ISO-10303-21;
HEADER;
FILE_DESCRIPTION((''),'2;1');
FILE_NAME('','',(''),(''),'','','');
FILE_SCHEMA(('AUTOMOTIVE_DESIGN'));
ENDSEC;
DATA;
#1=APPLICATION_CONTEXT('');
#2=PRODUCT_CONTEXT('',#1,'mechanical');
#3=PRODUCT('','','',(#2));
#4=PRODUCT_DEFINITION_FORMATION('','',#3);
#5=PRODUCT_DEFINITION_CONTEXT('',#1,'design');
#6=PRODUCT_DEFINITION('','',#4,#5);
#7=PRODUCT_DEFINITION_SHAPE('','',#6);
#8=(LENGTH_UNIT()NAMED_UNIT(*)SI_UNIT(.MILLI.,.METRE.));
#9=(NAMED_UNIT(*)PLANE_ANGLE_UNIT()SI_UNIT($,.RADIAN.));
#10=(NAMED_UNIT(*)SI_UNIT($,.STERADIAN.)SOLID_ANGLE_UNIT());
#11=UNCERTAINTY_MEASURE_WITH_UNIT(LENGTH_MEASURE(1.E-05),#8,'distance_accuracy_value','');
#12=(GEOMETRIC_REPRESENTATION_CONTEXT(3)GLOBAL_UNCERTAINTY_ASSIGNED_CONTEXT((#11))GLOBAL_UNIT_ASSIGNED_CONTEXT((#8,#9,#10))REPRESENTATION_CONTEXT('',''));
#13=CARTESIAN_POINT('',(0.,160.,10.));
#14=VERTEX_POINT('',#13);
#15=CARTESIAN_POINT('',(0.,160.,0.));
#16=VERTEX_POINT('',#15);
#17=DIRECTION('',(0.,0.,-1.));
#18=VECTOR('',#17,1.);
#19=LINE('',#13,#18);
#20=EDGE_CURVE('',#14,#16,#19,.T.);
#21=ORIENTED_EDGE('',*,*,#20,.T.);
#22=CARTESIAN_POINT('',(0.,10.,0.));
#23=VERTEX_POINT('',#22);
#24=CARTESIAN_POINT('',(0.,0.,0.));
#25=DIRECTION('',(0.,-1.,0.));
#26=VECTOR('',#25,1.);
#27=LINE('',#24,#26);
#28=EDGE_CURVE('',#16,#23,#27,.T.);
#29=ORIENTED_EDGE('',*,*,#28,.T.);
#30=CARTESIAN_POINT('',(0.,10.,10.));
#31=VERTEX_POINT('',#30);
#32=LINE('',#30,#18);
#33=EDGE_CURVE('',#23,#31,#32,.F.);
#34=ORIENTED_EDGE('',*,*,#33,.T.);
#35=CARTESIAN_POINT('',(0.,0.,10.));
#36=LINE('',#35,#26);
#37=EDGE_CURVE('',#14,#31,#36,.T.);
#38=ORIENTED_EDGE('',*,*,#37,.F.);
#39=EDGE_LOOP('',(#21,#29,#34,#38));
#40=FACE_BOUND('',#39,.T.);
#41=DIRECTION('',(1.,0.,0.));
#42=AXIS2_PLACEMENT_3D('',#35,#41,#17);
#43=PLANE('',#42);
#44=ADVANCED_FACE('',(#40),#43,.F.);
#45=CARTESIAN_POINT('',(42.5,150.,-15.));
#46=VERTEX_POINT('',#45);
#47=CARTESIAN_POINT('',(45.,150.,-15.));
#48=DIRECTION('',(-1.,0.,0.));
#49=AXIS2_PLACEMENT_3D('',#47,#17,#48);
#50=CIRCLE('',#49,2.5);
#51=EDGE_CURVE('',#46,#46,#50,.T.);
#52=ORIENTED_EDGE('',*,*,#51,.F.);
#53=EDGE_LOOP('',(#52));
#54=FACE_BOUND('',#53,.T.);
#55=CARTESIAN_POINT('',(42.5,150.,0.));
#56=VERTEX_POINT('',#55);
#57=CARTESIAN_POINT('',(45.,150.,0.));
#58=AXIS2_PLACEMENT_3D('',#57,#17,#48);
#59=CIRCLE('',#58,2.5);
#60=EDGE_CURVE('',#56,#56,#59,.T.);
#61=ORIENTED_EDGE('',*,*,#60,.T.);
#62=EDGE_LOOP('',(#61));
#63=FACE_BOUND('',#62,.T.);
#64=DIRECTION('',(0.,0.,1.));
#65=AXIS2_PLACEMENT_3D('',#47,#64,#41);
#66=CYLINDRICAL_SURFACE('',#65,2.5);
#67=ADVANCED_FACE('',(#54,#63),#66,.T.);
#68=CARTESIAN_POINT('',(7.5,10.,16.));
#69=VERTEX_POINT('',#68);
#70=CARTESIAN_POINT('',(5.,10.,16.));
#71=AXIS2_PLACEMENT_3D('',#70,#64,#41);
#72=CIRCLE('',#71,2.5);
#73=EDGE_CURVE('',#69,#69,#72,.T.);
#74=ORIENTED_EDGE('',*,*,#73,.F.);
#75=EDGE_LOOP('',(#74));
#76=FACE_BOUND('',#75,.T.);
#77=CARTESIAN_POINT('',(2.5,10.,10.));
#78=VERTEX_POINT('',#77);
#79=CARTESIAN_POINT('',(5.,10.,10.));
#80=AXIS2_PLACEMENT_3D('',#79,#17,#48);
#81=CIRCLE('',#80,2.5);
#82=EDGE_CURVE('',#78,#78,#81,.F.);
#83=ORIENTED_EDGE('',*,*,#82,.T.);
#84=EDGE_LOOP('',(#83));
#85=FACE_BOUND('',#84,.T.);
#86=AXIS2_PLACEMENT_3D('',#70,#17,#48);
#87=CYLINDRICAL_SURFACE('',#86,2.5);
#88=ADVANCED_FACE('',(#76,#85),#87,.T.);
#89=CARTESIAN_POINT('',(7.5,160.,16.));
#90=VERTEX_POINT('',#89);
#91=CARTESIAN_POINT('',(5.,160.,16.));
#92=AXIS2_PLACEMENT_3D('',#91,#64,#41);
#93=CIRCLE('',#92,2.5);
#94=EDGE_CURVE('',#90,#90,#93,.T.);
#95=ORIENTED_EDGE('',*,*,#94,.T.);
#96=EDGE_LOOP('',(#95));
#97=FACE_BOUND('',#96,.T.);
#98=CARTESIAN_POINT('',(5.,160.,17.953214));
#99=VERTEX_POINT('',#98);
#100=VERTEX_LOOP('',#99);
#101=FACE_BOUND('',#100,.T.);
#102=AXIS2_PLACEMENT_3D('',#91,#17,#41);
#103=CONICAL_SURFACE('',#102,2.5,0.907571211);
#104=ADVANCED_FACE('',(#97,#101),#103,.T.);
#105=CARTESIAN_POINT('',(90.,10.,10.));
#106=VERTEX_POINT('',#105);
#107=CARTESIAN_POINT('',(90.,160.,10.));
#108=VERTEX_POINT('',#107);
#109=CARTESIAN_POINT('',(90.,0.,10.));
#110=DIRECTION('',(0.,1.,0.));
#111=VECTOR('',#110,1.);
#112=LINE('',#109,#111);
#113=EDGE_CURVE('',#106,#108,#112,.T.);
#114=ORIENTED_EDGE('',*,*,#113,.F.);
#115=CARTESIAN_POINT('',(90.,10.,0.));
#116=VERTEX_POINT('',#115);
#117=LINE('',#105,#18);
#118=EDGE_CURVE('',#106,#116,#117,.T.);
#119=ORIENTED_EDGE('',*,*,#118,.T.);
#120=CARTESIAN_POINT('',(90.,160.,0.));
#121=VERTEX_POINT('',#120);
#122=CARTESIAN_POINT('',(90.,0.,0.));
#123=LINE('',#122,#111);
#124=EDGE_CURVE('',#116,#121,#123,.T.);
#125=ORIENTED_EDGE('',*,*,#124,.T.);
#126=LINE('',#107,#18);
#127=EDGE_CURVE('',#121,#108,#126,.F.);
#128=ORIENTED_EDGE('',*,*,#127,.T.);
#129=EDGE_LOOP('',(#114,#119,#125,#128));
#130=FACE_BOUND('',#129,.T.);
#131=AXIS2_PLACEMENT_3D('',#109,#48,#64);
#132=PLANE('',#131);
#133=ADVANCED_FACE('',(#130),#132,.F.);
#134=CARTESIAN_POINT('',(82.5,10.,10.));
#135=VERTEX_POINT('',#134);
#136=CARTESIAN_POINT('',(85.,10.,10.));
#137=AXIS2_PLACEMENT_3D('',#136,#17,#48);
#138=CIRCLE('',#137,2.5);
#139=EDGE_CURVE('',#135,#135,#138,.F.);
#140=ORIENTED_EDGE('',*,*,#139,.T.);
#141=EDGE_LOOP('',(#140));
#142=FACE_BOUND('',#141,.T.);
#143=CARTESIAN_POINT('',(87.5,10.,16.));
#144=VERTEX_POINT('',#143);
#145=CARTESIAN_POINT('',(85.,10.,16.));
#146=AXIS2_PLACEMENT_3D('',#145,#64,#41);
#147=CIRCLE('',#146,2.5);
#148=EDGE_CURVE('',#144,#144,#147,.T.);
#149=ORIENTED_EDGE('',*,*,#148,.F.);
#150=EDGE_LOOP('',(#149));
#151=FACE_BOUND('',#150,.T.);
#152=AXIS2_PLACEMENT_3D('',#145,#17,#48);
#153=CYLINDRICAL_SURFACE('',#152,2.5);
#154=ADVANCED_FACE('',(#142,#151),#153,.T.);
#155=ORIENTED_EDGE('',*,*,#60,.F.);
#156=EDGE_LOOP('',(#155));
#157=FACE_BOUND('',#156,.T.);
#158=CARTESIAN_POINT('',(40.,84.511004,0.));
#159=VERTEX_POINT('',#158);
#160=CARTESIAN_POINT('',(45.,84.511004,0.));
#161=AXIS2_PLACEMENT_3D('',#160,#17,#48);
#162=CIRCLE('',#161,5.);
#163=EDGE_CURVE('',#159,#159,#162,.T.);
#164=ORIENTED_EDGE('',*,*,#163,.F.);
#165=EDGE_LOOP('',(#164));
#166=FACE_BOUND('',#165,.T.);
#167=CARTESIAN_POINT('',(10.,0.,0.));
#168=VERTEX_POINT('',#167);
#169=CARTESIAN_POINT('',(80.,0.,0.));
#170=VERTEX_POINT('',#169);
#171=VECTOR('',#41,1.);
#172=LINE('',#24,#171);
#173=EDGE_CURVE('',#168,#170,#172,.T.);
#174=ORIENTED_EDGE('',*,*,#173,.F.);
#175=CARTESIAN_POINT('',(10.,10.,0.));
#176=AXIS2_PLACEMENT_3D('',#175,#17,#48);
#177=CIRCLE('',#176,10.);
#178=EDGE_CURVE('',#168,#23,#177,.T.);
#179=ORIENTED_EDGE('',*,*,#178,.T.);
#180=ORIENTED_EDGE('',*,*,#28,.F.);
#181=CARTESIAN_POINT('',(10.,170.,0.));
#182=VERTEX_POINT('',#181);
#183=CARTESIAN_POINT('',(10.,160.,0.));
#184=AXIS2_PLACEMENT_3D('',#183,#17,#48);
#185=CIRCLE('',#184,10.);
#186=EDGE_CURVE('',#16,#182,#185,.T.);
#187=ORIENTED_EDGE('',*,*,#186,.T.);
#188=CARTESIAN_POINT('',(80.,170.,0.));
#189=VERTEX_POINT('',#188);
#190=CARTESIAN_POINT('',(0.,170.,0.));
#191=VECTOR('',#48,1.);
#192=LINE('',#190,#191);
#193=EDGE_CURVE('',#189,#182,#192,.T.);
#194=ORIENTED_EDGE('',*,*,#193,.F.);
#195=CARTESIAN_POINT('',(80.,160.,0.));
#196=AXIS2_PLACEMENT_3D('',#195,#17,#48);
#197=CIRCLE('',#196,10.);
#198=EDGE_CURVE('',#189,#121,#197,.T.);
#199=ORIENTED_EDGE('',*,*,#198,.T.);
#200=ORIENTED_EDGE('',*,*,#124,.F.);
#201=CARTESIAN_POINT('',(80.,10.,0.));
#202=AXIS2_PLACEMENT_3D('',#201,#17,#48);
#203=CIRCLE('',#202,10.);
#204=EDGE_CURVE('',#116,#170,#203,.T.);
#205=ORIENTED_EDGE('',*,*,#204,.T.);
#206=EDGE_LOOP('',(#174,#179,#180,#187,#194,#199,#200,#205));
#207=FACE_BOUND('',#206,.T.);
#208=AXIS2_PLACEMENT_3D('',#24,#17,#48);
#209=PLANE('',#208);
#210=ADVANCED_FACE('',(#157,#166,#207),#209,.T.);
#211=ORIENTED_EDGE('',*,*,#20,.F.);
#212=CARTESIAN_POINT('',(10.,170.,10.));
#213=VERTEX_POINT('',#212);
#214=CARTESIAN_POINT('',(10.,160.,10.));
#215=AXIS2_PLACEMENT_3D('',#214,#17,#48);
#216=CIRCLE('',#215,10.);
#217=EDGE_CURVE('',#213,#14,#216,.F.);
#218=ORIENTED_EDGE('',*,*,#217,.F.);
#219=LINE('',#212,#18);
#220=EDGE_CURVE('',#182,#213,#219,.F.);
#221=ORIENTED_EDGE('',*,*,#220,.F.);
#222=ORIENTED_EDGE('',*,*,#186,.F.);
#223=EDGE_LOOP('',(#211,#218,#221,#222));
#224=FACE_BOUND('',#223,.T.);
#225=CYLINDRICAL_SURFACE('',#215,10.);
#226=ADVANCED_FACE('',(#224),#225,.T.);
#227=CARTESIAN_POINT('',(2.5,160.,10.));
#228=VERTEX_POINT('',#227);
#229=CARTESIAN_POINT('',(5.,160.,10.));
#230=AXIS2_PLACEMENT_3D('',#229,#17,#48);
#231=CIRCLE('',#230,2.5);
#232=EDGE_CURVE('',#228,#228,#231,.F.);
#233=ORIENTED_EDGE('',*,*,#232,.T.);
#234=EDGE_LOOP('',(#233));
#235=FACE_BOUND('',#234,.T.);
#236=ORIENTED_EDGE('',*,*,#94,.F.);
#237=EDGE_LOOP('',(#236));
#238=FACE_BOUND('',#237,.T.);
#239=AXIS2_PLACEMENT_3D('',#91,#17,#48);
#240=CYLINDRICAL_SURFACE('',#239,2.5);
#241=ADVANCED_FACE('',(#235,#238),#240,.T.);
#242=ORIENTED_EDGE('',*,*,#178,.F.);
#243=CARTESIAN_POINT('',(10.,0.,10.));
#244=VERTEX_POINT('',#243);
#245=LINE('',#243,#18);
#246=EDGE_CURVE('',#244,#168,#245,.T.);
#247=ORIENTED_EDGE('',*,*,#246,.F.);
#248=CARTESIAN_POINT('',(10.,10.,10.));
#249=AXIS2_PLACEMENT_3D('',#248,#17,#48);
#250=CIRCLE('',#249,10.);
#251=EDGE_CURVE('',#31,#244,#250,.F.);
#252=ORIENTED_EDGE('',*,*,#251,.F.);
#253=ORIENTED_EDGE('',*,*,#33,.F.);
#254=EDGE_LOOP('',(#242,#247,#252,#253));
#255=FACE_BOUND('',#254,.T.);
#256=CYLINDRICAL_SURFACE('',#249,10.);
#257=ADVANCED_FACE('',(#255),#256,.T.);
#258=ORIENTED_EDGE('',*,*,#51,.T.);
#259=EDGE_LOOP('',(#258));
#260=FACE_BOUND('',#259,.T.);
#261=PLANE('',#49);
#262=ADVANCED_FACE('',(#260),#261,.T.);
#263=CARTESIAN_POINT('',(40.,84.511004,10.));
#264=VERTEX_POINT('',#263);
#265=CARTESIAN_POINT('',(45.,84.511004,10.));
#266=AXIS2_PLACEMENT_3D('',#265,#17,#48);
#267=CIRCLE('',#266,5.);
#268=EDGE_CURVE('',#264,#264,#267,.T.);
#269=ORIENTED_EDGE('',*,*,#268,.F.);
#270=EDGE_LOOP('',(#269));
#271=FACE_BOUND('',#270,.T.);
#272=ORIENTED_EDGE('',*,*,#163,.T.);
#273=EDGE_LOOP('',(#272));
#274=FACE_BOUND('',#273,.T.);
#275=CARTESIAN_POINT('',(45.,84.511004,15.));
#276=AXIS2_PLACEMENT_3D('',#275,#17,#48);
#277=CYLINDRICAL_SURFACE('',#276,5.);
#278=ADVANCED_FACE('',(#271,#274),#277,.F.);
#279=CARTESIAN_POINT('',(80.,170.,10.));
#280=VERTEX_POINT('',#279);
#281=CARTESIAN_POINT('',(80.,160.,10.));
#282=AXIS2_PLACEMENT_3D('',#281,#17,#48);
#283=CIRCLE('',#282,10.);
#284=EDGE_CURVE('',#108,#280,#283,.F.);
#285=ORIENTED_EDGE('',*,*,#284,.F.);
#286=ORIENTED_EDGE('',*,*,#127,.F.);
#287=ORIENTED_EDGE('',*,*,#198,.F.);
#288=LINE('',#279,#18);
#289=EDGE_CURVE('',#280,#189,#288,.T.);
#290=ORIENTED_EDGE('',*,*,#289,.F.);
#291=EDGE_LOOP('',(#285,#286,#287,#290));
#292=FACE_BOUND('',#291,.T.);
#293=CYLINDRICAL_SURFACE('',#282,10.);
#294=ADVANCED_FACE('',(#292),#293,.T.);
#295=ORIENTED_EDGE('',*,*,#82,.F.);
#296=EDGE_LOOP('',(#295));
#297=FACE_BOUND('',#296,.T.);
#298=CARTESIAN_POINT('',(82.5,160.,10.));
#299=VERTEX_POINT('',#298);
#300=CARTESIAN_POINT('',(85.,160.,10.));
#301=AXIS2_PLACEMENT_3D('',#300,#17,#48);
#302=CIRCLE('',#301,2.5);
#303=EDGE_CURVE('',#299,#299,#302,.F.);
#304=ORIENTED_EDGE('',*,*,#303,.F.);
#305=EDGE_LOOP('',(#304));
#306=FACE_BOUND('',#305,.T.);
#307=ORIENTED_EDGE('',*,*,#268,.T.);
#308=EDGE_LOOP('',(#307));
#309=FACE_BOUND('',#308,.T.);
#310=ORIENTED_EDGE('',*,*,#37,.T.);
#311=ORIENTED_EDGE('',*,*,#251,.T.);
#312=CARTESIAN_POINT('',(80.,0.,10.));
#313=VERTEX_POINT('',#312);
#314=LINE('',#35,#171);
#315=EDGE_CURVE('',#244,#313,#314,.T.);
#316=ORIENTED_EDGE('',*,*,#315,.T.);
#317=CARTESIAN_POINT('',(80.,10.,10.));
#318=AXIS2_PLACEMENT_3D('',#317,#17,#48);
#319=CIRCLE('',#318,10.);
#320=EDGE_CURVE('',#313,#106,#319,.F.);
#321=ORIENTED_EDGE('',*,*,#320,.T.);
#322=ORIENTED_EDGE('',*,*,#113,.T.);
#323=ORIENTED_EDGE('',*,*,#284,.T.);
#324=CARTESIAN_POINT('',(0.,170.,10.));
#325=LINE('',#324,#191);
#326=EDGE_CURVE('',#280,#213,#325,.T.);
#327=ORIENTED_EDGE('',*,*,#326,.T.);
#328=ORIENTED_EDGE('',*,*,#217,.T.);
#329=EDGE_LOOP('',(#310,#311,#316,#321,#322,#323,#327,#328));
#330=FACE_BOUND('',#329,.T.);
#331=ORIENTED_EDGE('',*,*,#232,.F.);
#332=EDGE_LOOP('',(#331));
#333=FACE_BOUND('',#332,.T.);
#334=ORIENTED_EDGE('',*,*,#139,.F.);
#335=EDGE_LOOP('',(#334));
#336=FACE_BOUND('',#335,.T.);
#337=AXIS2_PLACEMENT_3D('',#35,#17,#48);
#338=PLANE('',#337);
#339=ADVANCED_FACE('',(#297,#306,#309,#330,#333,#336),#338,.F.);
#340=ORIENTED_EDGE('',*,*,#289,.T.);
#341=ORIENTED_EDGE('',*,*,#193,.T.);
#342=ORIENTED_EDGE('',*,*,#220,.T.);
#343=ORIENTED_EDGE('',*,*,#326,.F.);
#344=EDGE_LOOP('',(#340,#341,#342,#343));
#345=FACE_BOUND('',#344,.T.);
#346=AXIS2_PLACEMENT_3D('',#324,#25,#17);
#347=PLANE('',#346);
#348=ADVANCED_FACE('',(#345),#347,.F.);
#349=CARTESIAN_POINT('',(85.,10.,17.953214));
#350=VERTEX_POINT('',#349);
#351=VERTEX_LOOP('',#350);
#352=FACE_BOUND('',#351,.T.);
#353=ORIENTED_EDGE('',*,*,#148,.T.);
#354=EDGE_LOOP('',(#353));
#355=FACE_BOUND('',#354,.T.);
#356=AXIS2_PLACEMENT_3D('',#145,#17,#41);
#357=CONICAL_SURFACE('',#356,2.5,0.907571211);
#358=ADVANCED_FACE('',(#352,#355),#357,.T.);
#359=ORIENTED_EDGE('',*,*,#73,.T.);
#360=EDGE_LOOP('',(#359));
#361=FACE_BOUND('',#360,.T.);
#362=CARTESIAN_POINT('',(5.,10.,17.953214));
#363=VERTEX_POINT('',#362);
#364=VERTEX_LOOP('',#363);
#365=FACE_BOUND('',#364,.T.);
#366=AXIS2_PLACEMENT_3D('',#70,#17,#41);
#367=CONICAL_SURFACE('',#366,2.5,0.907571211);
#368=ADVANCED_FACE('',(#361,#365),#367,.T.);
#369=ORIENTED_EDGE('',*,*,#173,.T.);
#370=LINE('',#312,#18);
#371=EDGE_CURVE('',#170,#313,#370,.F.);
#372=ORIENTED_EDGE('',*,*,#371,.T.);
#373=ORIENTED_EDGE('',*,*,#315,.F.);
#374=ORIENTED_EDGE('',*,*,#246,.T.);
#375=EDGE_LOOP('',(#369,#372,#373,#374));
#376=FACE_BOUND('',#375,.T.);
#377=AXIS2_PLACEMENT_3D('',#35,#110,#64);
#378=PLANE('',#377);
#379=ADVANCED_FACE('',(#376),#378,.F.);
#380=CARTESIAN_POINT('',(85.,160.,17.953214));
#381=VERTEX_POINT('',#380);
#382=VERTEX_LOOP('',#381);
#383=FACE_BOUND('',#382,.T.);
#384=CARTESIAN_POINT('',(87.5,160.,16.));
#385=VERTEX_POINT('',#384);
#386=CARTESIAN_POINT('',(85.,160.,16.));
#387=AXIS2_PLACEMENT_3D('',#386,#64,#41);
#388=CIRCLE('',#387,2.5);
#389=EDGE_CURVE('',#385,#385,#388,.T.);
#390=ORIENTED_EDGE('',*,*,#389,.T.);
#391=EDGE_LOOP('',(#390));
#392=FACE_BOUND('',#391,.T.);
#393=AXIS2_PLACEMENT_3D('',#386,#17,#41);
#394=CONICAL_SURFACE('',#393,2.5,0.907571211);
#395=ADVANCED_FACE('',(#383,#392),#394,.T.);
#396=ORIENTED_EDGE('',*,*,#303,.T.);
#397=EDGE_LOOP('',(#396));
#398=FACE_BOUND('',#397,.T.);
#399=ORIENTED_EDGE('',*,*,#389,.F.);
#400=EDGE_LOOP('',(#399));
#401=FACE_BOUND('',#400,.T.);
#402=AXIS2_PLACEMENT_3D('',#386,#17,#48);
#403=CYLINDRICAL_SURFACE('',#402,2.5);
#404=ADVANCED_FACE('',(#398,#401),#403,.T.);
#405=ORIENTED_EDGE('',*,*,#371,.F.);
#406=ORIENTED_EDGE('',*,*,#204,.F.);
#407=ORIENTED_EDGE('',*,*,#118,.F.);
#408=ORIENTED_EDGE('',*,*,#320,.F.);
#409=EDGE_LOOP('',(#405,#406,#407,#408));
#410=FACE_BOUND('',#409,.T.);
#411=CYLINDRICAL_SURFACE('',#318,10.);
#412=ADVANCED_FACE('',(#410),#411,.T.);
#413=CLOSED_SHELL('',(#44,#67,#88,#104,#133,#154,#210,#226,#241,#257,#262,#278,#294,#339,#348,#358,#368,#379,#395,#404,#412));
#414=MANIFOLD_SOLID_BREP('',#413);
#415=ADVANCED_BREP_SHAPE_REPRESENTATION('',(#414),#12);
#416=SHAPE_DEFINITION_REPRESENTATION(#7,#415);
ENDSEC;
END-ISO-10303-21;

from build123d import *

# Parameters (mm, degrees)
SKETCH2_W           = 90
SKETCH2_H           = 170
BOSS_EXTRUDE1_DEPTH = 10
SKETCH3_R           = 2.5
BOSS_EXTRUDE4_DEPTH = 6
SKETCH9_R           = 2.5
BOSS_EXTRUDE6_DEPTH = 15
SKETCH10_R          = 5
CUT_EXTRUDE3_DEPTH  = 15
FILLET1_R           = 10
FILLET2_R           = 10
FILLET3_R           = 10
FILLET4_R           = 10


with BuildPart() as part:
    # Sketch2 → Boss-Extrude1 (new body)
    with BuildSketch(Plane.XY):
        with Locations((45, 85)):
            Rectangle(SKETCH2_W, SKETCH2_H)
    extrude(amount=BOSS_EXTRUDE1_DEPTH)

    # Sketch3 → Boss-Extrude4 (add)
    with BuildSketch(Plane.XY.offset(10)):
        with Locations(Location((5, 160, 0), (0, 0, 180))):
            Circle(SKETCH3_R)
        with Locations(Location((85, 160, 0), (0, 0, 180))):
            Circle(SKETCH3_R)
        with Locations(Location((85, 10, 0), (0, 0, 180))):
            Circle(SKETCH3_R)
        with Locations(Location((5, 10, 0), (0, 0, 180))):
            Circle(SKETCH3_R)
    extrude(amount=BOSS_EXTRUDE4_DEPTH)

    # Boss-Extrude5 cone 1 section (through the dimple's axis) → Boss-Extrude5 (revolve)
    with BuildSketch(Plane(origin=(5, 160, 16), x_dir=(0, 1, 0), z_dir=(1, 0, 0))):
        Polygon((0, 0), (2.5, 0), (0, 1.953214066), align=None)
    revolve(axis=Axis((5, 160, 16), (0, 0, 1)))

    # Boss-Extrude5 cone 2 section (through the dimple's axis) → Boss-Extrude5 cone 2 (revolve)
    with BuildSketch(Plane(origin=(85, 160, 16), x_dir=(0, 1, 0), z_dir=(1, 0, 0))):
        Polygon((0, 0), (2.5, 0), (0, 1.953214066), align=None)
    revolve(axis=Axis((85, 160, 16), (0, 0, 1)))

    # Boss-Extrude5 cone 3 section (through the dimple's axis) → Boss-Extrude5 cone 3 (revolve)
    with BuildSketch(Plane(origin=(85, 10, 16), x_dir=(0, 1, 0), z_dir=(1, 0, 0))):
        Polygon((0, 0), (2.5, 0), (0, 1.953214066), align=None)
    revolve(axis=Axis((85, 10, 16), (0, 0, 1)))

    # Boss-Extrude5 cone 4 section (through the dimple's axis) → Boss-Extrude5 cone 4 (revolve)
    with BuildSketch(Plane(origin=(5, 10, 16), x_dir=(0, 1, 0), z_dir=(1, 0, 0))):
        Polygon((0, 0), (2.5, 0), (0, 1.953214066), align=None)
    revolve(axis=Axis((5, 10, 16), (0, 0, 1)))

    # Sketch9 → Boss-Extrude6 (add)
    with BuildSketch(Plane(origin=(0, 0, 0), x_dir=(-1, 0, 0), z_dir=(0, 0, -1))):
        with Locations((-45, 150)):
            Circle(SKETCH9_R)
    extrude(amount=BOSS_EXTRUDE6_DEPTH)

    # Sketch10 → Cut-Extrude3 (cut)
    with BuildSketch(Plane(origin=(0, 0, 0), x_dir=(-1, 0, 0), z_dir=(0, 0, -1))):
        with Locations((-45, 84.5110045)):
            Circle(SKETCH10_R)
    extrude(amount=-CUT_EXTRUDE3_DEPTH, mode=Mode.SUBTRACT)

    # Fillet1
    fillet1_edges = [part.edges().sort_by_distance(p)[0] for p in [
        (90, 170, 5),
    ]]
    fillet(fillet1_edges, radius=FILLET1_R)

    # Fillet2
    fillet2_edges = [part.edges().sort_by_distance(p)[0] for p in [
        (0, 170, 5),
    ]]
    fillet(fillet2_edges, radius=FILLET2_R)

    # Fillet3
    fillet3_edges = [part.edges().sort_by_distance(p)[0] for p in [
        (0, 0, 5),
    ]]
    fillet(fillet3_edges, radius=FILLET3_R)

    # Fillet4
    fillet4_edges = [part.edges().sort_by_distance(p)[0] for p in [
        (90, 0, 5),
    ]]
    fillet(fillet4_edges, radius=FILLET4_R)


solid = part.part
